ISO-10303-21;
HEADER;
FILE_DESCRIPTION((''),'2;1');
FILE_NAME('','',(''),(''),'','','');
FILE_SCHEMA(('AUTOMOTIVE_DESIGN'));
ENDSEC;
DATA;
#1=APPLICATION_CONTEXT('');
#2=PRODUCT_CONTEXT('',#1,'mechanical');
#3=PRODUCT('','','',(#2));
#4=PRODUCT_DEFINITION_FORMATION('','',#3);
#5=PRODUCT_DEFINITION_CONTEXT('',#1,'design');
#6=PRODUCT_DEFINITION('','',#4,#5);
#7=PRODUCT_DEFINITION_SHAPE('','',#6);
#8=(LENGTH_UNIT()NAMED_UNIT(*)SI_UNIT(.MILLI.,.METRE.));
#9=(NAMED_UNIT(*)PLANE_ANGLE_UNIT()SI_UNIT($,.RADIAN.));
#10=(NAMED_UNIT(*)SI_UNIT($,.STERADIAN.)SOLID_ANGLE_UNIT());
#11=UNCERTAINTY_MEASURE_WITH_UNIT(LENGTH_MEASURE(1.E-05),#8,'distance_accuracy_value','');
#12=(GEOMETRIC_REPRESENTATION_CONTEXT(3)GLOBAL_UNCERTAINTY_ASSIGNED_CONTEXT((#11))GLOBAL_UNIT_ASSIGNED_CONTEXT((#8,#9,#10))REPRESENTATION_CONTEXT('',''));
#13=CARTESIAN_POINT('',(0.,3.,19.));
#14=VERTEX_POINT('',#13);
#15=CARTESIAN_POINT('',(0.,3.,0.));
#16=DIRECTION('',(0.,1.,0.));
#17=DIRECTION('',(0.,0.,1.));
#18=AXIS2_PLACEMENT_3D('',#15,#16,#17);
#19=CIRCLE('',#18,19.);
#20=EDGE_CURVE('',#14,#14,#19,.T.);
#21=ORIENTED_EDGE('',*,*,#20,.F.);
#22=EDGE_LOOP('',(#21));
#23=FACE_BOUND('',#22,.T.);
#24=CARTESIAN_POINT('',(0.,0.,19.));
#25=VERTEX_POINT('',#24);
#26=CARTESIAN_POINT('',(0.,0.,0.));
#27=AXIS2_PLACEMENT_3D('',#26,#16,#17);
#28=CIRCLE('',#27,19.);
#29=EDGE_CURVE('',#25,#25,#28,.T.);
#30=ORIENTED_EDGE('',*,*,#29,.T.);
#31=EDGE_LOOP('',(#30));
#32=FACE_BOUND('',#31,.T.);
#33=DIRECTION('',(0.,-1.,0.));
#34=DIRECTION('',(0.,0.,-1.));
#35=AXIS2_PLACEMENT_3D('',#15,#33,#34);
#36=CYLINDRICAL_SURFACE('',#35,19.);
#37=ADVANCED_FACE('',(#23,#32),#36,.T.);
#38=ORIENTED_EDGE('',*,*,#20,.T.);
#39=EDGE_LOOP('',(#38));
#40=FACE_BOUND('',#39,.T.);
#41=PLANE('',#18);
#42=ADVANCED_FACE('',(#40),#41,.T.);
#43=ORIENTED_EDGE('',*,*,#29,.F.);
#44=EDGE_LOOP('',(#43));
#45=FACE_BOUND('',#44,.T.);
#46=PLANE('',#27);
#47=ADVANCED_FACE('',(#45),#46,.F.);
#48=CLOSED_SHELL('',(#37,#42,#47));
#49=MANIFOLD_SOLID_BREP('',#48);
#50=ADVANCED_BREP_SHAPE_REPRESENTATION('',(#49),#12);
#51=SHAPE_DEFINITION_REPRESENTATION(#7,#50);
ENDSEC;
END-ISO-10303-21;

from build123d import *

# Parameters (mm, degrees)
SKETCH1_R           = 19
BOSS_EXTRUDE1_DEPTH = 3


with BuildPart() as part:
    # Sketch1 → Boss-Extrude1 (new body)
    with BuildSketch(Plane(origin=(0, 0, 0), x_dir=(1, 0, 0), z_dir=(0, 1, 0))):
        with Locations(Location((0, 0, 0), (0, 0, 270))):
            Circle(SKETCH1_R)
    extrude(amount=BOSS_EXTRUDE1_DEPTH)


solid = part.part
